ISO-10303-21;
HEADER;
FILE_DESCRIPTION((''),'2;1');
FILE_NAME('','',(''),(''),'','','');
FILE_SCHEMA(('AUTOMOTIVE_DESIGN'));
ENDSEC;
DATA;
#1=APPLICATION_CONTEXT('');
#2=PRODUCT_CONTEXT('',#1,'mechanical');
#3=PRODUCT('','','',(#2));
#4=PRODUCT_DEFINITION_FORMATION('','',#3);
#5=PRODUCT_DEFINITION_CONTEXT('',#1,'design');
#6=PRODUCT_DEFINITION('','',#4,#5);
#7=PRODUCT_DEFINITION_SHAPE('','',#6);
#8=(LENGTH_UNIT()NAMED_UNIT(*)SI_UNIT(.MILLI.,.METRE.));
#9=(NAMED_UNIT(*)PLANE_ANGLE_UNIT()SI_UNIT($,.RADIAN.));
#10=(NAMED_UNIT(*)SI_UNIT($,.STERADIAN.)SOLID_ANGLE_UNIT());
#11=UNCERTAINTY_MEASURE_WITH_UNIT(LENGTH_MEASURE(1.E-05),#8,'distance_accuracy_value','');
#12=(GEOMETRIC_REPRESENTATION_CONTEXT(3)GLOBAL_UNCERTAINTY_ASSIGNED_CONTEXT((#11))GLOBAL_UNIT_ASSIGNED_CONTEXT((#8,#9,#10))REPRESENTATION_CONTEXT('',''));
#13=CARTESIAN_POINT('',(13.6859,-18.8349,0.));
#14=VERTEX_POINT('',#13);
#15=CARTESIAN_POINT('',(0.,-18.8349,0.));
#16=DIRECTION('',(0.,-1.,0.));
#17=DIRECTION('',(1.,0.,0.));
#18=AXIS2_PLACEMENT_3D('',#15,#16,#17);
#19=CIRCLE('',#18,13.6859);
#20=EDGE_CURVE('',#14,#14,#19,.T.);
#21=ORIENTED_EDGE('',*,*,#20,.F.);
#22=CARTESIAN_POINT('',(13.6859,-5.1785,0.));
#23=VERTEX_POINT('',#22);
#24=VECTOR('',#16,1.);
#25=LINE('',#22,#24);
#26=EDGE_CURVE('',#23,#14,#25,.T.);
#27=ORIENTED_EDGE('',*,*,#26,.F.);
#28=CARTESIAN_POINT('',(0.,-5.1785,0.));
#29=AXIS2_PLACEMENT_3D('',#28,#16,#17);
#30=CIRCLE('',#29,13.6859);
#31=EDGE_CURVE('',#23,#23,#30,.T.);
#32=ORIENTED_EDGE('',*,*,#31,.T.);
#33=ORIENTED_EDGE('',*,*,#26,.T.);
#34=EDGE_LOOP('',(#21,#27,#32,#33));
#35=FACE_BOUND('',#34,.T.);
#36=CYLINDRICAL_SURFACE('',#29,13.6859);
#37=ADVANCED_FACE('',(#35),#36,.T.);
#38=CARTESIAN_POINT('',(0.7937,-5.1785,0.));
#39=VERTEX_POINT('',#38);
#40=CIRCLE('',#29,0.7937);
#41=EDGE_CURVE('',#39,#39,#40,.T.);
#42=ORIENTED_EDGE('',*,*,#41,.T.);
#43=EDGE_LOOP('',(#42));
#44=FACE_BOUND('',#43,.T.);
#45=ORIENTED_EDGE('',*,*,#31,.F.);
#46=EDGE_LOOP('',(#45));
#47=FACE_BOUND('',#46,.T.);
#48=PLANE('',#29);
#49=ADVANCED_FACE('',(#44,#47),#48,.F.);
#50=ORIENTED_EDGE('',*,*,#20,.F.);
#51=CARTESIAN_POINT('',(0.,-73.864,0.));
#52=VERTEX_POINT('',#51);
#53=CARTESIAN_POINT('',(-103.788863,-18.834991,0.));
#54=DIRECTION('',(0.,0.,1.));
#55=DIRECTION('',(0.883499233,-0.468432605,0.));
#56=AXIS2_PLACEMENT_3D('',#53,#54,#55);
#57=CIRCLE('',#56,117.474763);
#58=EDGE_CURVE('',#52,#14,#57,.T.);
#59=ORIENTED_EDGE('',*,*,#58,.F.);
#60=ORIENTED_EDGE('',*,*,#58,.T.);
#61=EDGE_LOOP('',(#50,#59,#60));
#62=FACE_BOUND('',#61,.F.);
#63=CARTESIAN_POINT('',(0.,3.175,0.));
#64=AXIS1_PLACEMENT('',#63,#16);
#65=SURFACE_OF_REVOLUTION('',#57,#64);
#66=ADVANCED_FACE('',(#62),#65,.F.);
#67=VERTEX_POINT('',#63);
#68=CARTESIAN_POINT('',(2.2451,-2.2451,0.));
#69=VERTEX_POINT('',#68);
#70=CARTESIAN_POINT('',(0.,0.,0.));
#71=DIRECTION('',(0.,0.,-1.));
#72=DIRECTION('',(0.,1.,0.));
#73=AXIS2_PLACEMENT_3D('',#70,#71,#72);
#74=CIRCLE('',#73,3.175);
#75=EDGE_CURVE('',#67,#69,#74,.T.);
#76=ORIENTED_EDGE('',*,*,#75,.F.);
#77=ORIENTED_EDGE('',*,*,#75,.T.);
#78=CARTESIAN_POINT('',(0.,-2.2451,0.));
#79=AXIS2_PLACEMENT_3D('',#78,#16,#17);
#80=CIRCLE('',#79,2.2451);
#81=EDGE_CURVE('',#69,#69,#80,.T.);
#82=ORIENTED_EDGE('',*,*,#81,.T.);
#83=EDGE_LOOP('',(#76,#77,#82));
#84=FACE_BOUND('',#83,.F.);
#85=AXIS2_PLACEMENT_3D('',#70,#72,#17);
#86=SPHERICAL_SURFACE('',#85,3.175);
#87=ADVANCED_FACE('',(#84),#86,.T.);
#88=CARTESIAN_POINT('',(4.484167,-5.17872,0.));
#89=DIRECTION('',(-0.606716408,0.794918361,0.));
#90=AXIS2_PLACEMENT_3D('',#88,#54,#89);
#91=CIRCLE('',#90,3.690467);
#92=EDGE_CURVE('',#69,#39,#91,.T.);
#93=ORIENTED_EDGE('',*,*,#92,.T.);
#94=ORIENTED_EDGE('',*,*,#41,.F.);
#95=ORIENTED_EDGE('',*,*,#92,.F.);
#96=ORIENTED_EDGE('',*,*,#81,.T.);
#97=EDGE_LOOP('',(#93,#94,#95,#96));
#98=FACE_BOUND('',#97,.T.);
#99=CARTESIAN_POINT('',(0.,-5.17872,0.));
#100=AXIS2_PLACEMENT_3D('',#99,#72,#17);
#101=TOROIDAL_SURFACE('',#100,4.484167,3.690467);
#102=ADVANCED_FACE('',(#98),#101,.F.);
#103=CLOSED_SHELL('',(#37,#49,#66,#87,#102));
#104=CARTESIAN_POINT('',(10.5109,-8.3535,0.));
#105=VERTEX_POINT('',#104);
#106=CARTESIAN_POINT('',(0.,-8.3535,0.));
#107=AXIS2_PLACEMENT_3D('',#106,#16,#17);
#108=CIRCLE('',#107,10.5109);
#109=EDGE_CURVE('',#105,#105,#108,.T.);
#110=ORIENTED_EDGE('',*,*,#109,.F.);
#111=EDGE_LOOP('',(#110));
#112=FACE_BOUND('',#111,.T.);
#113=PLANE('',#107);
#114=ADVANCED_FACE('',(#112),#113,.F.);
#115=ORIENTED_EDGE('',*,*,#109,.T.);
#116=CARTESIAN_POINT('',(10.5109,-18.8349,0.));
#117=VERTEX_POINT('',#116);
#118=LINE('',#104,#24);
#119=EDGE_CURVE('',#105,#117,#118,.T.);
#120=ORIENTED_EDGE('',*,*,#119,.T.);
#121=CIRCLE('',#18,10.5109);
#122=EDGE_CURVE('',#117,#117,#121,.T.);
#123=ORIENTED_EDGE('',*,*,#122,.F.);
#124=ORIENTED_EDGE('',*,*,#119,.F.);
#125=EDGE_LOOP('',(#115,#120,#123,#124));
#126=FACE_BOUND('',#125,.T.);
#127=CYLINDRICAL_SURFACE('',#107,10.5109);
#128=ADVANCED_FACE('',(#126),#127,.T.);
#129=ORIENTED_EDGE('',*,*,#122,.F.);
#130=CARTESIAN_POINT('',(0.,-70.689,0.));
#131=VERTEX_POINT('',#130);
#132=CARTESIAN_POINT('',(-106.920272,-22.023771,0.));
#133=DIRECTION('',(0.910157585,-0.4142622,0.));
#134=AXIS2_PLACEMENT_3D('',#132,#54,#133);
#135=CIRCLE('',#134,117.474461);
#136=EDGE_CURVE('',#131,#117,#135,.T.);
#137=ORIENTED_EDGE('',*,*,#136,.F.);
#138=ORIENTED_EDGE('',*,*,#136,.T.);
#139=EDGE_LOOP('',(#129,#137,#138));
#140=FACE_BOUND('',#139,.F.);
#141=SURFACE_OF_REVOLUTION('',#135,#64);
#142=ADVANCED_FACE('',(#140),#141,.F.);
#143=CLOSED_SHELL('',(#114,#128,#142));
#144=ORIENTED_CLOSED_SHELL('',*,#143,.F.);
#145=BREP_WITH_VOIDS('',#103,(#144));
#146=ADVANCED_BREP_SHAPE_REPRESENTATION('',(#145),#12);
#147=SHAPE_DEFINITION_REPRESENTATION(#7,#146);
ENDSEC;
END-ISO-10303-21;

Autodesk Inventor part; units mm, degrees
ref_plane "YZ Plane" through (0, 0, 0) normal (1, 0, 0) x (0, 1, 0)
ref_plane "XZ Plane" through (0, 0, 0) normal (0, 1, 0) x (-1, 0, 0)
ref_plane "XY Plane" through (0, 0, 0) normal (0, 0, 1) x (1, 0, 0)
sketch "Sketch1" plane through (0, 0, 0) normal (0, 0, 1) x (1, 0, 0)
  circle A0 centre (0, 0) radius 3.175
  line L0 (0, 0) -> (3.175, 0)
  line L1 (0, 0) -> (0, -3.175)
  line L2 (0, 0) -> (2.2451, -2.2451)
  line L3 (0, 0) -> (-2.2451, -2.2451)
  line L4 (0, 0) -> (-3.175, 0)
  line L5 (-1.5875, 0) -> (0, 0)
  line L6 (0, 0) -> (1.5875, 0)
  line L7 (0, 0) -> (-0.7938, 0)
  line L8 (0, 0) -> (0.7937, 0)
  line L9 (-0.7938, 0) -> (-0.7938, -7.5506)
  line L10 (-0.7938, -7.5506) -> (0.7937, -7.5506)
  line L11 (0.7937, -7.5506) -> (0.7937, 0)
  arc A1 (-0.7938, -5.1785) -> (-2.2451, -2.2451) centre (-4.4839, -5.1785) ccw
  arc A2 (2.2451, -2.2451) -> (0.7937, -5.1785) centre (4.4839, -5.1785) ccw
  line L12 (0, 3.175) -> (0, -7.5506)
  line L13 (-0.7938, -5.1785) -> (0.7937, -5.1785)
  line L14 (-0.7938, -5.1785) -> (-3.1545, -5.1785)
  line L15 (0.7937, -5.1785) -> (3.1408, -5.1785)
  line L16 (-0.0063, -5.1785) -> (13.6859, -5.1785)
  line L17 (13.6859, -5.1785) -> (13.6859, -18.8349)
  line L18 (13.6859, -18.8349) -> (-0.0064, -18.8349)
  line L19 (-0.0063, -5.1785) -> (-13.6859, -5.1785)
  line L20 (-13.6859, -5.1785) -> (-13.6859, -18.8349)
  line L21 (-13.6859, -18.8349) -> (-0.0064, -18.8349)
  arc A3 (-13.6859, -18.8349) -> (0, -73.864) centre (103.7891, -18.8349) ccw
  arc A4 (0, -73.864) -> (13.6859, -18.8349) centre (-103.7891, -18.8349) ccw
  line L22 (0, -7.5506) -> (0, -73.864)
  line L23 (-13.6859, -18.8349) -> (-10.5109, -18.8349)
  line L24 (13.6859, -18.8349) -> (10.5109, -18.8349)
  line L25 (-13.6859, -5.1785) -> (-13.6859, -8.3535)
  line L26 (-10.5109, -18.8349) -> (-10.5109, -8.3535)
  line L27 (-10.5109, -8.3535) -> (10.5109, -8.3535)
  line L28 (10.5109, -8.3535) -> (10.5109, -18.8349)
  line L29 (0, -73.864) -> (0, -70.689)
  arc A5 (-10.5109, -18.8349) -> (0, -70.689) centre (106.9208, -22.0236) ccw
  arc A6 (0, -70.689) -> (10.5109, -18.8349) centre (-106.9208, -22.0236) ccw
  point P0 (0, 0)
  point P1 (0, -3.175)
  point P2 (1.5373, -5.4355)
  point P3 (0, -5.1785)
  point P4 (0.7937, 0)
  point P5 (0, -8.3535)
  dimension "d0" = 6.35
  dimension "d1" = 45
  dimension "d2" = 45
  dimension "d3" = 7.5506
  dimension "d17" = 13.6564
  dimension "d18" = 5.1785
  dimension "d20" = 13.6922
  dimension "d21" = 13.6796
  dimension "d22" = 117.475
  dimension "d23" = 117.475
  dimension "d27" = 3.175
  dimension "d28" = 3.175
  dimension "d29" = 3.175
  dimension "d30" = 10.4814
  dimension "d31" = 3.175
  dimension "d32" = 117.475
  dimension "d33" = 117.475
revolve "Revolution2" add sketch "Sketch1" angle 360 about axis through (0, 3.175, 0) along (0, -1, 0) contours L0 L12 A0 | A0 L2 L11 L0 | A2 A0 L11 L2 | L2 L11 A0 L1 | L0 L11 L2 | A2 L11 A0 | A0 L11 L13 L12 | L15 L16 L17 L18 L28 L27 L22 L10 L11 | L11 L10 L12 L13 | A4 L22 A6 L18
equation "\"d32\" = d23"
equation "\"d33\" = d23"
properties part number "octopus tentacle end"
